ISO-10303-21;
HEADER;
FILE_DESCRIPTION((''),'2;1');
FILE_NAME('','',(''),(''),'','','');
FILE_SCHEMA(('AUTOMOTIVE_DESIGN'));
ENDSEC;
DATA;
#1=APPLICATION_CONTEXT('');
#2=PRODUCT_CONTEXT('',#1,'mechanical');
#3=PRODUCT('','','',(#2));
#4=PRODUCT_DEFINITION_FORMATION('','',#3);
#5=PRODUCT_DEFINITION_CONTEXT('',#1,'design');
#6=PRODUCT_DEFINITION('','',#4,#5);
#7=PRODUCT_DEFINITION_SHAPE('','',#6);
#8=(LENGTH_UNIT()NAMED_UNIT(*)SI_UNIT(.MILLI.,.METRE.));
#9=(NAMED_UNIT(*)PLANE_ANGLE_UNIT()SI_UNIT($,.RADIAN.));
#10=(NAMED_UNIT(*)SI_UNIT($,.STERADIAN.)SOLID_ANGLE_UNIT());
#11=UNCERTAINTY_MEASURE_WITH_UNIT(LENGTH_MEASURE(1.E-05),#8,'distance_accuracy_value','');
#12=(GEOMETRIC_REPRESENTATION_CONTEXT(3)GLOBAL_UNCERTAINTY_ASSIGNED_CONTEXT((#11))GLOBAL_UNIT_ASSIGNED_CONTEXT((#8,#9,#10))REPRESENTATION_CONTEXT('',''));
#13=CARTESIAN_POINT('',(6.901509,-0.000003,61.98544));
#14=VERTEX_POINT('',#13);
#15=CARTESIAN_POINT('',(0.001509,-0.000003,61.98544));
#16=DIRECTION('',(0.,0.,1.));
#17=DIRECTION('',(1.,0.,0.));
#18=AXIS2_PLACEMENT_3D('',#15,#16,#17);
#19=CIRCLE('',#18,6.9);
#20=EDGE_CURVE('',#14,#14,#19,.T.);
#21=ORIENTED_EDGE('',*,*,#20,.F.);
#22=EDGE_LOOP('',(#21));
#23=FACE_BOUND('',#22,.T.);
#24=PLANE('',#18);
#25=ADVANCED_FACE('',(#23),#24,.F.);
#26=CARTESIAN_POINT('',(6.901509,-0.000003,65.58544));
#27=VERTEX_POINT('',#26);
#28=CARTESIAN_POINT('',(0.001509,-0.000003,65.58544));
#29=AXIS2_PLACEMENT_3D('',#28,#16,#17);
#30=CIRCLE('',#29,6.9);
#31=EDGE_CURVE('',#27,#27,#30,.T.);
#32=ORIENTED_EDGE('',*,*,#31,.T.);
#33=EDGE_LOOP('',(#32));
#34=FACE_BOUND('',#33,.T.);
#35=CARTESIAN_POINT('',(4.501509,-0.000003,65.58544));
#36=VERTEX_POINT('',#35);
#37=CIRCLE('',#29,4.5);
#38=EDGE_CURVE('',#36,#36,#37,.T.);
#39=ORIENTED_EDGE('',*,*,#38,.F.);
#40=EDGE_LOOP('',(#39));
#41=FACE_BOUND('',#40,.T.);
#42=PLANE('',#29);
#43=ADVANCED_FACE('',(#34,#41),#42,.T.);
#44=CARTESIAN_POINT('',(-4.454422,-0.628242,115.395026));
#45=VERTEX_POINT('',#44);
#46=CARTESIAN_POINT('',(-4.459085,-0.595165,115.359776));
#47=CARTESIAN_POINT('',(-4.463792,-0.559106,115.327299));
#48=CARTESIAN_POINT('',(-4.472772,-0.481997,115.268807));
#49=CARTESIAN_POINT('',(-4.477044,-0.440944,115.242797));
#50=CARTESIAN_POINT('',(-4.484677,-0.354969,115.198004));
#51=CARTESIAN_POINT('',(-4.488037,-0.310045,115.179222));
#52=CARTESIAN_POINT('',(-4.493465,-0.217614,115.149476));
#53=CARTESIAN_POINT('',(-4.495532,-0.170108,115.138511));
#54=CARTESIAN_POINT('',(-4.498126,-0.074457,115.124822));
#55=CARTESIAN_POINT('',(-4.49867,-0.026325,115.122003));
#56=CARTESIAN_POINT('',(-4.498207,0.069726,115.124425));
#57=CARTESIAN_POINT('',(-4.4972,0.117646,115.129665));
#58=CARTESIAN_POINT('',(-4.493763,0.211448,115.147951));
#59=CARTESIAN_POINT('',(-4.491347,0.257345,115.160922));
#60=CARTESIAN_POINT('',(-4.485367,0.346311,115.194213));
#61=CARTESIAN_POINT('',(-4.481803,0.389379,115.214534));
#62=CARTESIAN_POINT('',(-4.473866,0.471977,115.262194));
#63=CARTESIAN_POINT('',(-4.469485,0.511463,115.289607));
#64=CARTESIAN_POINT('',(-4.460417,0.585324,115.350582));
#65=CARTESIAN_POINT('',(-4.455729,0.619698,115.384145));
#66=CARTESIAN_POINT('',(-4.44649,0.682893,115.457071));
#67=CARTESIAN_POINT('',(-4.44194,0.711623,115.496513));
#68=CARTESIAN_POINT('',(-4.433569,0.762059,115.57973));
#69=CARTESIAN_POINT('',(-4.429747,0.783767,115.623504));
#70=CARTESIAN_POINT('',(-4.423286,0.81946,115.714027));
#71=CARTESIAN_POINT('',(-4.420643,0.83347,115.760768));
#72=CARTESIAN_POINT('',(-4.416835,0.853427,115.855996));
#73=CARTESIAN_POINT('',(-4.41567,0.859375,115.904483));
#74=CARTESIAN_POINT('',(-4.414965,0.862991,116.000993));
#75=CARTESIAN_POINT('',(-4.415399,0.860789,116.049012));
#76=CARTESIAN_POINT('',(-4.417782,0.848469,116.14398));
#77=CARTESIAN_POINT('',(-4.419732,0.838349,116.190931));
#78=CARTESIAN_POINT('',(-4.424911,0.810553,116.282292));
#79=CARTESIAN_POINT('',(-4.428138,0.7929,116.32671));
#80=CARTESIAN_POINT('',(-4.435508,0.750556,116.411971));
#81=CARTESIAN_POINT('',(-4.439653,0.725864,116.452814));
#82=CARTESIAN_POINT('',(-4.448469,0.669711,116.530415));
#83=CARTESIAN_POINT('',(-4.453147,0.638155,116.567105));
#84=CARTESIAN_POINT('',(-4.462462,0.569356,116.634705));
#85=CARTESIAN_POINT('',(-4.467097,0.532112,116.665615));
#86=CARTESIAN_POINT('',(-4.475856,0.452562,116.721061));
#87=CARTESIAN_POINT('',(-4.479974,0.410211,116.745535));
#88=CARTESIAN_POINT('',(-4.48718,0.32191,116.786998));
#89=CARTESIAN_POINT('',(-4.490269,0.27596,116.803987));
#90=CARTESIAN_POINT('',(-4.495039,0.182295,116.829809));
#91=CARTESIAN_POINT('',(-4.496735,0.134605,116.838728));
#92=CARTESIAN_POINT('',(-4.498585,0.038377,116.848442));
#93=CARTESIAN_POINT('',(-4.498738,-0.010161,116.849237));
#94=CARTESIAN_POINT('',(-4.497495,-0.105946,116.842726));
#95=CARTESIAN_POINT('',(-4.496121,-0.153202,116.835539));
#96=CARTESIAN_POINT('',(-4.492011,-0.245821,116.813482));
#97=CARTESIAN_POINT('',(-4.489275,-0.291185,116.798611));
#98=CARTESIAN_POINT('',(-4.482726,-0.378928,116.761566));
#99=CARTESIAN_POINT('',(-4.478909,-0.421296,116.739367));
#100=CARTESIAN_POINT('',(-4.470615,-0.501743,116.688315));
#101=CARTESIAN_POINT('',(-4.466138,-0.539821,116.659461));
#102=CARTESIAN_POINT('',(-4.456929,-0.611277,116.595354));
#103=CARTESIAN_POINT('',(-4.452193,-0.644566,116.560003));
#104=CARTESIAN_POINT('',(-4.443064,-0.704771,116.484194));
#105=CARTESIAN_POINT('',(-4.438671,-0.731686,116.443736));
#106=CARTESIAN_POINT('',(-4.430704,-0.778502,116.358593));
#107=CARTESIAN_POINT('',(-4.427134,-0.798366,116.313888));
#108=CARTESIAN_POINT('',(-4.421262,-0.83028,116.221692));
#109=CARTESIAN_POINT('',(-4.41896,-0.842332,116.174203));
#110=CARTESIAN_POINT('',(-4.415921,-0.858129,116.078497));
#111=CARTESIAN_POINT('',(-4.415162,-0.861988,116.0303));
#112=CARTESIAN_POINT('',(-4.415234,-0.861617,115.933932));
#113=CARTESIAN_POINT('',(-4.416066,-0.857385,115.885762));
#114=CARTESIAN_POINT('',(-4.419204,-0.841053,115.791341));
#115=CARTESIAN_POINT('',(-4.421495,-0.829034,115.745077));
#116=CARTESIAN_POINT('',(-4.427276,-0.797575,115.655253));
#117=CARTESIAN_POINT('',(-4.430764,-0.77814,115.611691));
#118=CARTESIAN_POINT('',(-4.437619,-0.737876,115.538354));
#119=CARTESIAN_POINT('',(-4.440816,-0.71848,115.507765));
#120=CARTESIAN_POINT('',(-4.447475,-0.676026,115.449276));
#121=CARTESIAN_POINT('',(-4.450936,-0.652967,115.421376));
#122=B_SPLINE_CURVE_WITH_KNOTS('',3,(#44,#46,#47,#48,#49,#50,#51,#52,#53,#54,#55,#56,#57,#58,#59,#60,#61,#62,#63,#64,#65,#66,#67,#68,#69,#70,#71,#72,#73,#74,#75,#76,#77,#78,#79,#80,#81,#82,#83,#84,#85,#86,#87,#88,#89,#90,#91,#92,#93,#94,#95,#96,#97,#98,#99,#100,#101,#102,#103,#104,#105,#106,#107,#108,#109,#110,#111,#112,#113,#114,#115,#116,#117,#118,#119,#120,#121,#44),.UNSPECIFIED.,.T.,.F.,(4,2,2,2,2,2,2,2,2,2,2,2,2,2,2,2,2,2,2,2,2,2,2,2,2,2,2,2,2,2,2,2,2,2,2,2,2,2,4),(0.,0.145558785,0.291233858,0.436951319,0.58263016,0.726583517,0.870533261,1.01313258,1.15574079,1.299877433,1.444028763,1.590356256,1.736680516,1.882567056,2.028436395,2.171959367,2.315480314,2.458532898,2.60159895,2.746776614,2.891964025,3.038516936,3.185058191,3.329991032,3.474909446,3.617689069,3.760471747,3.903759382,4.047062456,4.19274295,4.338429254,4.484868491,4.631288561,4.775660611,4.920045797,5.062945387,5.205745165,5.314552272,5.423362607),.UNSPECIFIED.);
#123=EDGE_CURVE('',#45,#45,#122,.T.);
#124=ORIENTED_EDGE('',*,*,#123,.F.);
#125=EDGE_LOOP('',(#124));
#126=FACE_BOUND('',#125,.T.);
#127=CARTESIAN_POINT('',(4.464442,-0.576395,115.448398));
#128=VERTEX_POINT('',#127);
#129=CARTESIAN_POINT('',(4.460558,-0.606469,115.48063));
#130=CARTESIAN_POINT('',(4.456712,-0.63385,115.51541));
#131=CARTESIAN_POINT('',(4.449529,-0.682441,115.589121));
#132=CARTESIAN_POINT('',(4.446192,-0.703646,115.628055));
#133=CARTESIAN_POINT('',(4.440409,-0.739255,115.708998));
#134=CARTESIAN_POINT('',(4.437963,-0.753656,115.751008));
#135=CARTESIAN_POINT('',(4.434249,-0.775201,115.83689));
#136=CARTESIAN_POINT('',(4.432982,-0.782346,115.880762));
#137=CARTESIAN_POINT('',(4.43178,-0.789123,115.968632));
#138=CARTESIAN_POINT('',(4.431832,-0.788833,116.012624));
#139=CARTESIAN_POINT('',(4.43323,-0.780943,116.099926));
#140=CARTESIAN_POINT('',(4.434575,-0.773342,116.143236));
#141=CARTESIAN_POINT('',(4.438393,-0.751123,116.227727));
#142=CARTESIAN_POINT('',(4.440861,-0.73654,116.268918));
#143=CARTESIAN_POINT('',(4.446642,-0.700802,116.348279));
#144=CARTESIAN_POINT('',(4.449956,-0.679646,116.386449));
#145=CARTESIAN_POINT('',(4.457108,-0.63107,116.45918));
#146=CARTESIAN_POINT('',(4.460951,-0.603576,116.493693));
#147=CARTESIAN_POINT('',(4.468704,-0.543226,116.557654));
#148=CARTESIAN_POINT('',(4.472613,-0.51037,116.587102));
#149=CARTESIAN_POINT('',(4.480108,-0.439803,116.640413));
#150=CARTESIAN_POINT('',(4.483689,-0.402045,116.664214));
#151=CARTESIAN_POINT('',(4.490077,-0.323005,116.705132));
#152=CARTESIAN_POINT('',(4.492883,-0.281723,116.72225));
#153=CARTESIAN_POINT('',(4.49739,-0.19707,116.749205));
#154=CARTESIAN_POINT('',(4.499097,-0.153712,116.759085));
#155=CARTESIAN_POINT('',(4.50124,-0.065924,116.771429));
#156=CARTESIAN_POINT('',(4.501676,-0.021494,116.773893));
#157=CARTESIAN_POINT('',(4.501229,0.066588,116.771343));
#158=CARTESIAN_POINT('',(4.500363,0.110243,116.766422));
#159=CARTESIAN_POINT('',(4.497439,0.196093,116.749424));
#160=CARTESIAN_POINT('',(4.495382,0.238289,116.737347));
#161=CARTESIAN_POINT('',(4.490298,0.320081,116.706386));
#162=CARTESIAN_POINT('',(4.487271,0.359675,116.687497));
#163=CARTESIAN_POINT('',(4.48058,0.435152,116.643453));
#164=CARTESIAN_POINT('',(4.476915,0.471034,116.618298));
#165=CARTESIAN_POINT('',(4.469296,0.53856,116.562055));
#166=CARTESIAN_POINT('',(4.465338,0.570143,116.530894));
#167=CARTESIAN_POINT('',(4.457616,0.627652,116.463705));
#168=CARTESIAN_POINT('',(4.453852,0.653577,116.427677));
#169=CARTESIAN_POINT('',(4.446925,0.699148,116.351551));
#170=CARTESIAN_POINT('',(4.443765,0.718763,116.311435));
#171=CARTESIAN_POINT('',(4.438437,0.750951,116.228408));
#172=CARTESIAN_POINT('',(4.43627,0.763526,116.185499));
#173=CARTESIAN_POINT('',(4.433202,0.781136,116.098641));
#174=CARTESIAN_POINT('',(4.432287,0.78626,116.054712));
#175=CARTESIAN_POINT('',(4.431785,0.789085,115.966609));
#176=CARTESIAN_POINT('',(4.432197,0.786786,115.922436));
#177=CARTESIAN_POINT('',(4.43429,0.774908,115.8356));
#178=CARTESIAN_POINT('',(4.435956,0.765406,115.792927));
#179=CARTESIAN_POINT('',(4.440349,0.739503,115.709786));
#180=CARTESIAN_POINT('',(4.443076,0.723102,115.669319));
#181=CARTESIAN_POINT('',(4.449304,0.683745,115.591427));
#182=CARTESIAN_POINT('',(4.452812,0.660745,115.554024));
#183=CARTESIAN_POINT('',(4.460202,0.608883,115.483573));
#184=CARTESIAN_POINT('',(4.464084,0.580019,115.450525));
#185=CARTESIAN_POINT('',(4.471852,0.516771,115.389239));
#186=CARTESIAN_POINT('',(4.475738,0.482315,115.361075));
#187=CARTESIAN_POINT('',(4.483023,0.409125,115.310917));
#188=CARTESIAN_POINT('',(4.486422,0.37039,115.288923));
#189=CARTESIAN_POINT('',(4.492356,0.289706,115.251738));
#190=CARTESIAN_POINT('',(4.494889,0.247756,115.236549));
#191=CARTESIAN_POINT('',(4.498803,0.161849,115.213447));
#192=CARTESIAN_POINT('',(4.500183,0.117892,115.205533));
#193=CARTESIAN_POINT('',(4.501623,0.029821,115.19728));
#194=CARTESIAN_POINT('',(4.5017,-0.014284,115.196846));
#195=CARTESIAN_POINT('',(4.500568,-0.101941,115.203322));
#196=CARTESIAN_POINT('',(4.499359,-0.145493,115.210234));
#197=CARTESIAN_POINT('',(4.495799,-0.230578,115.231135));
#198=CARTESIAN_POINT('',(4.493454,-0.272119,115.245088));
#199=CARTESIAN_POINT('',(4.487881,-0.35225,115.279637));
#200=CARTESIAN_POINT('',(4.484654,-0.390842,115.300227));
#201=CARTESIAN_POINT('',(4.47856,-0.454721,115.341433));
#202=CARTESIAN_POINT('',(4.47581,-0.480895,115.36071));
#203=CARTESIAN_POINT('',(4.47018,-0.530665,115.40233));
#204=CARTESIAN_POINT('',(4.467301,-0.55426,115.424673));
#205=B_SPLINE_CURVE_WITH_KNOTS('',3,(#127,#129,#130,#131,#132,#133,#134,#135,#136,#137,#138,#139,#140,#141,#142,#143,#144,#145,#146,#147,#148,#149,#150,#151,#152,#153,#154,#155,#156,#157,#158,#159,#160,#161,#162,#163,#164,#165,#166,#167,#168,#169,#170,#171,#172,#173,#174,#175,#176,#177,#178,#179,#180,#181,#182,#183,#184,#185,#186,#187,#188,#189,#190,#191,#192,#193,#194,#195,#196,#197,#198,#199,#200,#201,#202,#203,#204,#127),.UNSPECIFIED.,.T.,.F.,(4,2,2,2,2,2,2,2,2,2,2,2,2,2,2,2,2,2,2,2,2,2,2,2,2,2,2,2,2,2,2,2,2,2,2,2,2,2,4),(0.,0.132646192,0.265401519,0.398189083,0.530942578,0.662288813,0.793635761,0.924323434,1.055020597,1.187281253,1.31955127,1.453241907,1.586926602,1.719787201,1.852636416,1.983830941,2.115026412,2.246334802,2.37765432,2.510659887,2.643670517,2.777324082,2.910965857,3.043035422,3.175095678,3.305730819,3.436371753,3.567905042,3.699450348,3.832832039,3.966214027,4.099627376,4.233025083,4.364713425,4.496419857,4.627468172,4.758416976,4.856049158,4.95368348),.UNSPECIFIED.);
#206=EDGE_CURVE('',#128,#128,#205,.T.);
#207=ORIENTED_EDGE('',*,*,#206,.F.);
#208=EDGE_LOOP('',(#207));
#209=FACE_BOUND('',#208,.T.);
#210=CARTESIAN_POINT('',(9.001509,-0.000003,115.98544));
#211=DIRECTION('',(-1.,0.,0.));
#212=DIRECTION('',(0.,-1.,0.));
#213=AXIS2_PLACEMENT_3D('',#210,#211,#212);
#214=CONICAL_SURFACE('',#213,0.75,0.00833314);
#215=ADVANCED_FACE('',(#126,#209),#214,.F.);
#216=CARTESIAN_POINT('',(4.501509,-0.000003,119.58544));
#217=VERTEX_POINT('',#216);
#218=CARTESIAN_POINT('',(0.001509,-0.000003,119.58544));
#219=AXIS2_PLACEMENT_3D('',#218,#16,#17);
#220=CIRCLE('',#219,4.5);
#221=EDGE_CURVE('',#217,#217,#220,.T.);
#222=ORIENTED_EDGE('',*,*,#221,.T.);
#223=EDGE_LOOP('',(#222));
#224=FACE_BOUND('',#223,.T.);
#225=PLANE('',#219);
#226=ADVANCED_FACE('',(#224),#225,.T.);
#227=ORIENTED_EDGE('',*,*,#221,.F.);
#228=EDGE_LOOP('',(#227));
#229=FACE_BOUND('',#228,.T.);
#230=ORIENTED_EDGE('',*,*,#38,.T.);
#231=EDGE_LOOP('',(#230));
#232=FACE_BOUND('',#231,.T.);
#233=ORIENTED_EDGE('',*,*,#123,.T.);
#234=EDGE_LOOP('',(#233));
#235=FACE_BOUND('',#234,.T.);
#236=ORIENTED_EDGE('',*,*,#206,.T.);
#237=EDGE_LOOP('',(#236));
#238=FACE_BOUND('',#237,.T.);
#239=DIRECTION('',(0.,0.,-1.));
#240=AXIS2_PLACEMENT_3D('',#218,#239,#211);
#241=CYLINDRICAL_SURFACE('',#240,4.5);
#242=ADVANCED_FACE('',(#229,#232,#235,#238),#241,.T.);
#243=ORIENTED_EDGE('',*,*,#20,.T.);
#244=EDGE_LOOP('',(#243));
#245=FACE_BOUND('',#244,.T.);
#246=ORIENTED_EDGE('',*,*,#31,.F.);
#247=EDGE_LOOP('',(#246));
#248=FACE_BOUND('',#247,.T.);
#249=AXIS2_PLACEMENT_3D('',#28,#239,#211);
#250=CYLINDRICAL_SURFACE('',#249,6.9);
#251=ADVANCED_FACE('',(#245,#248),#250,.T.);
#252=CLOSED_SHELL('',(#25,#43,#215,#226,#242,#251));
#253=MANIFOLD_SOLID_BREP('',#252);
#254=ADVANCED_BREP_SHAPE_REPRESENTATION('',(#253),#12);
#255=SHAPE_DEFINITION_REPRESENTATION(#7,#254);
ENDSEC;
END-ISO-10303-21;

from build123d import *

# Parameters (mm, degrees)
SKETCH2_R           = 23
BOSS_EXTRUDE1_DEPTH = 12
SKETCH3_R           = 15
BOSS_EXTRUDE2_DEPTH = 180
SCALE1_SCALE        = 0.3


with BuildPart() as part:
    # Sketch2 → Boss-Extrude1 (new body)
    with BuildSketch(Plane.XY):
        Circle(SKETCH2_R)
    extrude(amount=BOSS_EXTRUDE1_DEPTH)

    # Sketch3 → Boss-Extrude2 (add)
    with BuildSketch(Plane.XY.offset(12)):
        with Locations(Location((0, 0, 0), (0, 0, 180))):
            Circle(SKETCH3_R)
    extrude(amount=BOSS_EXTRUDE2_DEPTH)

    # Sketch4 → Cut-Revolve1 (revolve, cut)
    with BuildSketch(Plane.XY.offset(180), mode=Mode.PRIVATE) as cut_revolve1_sk:
        Polygon((-30, 0), (-30, 3), (30, 2.5), (30, 0), align=None)
    revolve(cut_revolve1_sk.sketch.rotate(Axis((30, 0, 180), (-1, 0, 0)), 137.024045149), axis=Axis((30, 0, 180), (-1, 0, 0)), mode=Mode.SUBTRACT)


with BuildPart() as part_1:
    # Scale1: scaled about (0.002156445, -4e-08, 88.550522263)
    add(part.part.scale(SCALE1_SCALE).moved(Location((0.001509511, -2.8e-08, 61.985365584))))


solid = part_1.part
